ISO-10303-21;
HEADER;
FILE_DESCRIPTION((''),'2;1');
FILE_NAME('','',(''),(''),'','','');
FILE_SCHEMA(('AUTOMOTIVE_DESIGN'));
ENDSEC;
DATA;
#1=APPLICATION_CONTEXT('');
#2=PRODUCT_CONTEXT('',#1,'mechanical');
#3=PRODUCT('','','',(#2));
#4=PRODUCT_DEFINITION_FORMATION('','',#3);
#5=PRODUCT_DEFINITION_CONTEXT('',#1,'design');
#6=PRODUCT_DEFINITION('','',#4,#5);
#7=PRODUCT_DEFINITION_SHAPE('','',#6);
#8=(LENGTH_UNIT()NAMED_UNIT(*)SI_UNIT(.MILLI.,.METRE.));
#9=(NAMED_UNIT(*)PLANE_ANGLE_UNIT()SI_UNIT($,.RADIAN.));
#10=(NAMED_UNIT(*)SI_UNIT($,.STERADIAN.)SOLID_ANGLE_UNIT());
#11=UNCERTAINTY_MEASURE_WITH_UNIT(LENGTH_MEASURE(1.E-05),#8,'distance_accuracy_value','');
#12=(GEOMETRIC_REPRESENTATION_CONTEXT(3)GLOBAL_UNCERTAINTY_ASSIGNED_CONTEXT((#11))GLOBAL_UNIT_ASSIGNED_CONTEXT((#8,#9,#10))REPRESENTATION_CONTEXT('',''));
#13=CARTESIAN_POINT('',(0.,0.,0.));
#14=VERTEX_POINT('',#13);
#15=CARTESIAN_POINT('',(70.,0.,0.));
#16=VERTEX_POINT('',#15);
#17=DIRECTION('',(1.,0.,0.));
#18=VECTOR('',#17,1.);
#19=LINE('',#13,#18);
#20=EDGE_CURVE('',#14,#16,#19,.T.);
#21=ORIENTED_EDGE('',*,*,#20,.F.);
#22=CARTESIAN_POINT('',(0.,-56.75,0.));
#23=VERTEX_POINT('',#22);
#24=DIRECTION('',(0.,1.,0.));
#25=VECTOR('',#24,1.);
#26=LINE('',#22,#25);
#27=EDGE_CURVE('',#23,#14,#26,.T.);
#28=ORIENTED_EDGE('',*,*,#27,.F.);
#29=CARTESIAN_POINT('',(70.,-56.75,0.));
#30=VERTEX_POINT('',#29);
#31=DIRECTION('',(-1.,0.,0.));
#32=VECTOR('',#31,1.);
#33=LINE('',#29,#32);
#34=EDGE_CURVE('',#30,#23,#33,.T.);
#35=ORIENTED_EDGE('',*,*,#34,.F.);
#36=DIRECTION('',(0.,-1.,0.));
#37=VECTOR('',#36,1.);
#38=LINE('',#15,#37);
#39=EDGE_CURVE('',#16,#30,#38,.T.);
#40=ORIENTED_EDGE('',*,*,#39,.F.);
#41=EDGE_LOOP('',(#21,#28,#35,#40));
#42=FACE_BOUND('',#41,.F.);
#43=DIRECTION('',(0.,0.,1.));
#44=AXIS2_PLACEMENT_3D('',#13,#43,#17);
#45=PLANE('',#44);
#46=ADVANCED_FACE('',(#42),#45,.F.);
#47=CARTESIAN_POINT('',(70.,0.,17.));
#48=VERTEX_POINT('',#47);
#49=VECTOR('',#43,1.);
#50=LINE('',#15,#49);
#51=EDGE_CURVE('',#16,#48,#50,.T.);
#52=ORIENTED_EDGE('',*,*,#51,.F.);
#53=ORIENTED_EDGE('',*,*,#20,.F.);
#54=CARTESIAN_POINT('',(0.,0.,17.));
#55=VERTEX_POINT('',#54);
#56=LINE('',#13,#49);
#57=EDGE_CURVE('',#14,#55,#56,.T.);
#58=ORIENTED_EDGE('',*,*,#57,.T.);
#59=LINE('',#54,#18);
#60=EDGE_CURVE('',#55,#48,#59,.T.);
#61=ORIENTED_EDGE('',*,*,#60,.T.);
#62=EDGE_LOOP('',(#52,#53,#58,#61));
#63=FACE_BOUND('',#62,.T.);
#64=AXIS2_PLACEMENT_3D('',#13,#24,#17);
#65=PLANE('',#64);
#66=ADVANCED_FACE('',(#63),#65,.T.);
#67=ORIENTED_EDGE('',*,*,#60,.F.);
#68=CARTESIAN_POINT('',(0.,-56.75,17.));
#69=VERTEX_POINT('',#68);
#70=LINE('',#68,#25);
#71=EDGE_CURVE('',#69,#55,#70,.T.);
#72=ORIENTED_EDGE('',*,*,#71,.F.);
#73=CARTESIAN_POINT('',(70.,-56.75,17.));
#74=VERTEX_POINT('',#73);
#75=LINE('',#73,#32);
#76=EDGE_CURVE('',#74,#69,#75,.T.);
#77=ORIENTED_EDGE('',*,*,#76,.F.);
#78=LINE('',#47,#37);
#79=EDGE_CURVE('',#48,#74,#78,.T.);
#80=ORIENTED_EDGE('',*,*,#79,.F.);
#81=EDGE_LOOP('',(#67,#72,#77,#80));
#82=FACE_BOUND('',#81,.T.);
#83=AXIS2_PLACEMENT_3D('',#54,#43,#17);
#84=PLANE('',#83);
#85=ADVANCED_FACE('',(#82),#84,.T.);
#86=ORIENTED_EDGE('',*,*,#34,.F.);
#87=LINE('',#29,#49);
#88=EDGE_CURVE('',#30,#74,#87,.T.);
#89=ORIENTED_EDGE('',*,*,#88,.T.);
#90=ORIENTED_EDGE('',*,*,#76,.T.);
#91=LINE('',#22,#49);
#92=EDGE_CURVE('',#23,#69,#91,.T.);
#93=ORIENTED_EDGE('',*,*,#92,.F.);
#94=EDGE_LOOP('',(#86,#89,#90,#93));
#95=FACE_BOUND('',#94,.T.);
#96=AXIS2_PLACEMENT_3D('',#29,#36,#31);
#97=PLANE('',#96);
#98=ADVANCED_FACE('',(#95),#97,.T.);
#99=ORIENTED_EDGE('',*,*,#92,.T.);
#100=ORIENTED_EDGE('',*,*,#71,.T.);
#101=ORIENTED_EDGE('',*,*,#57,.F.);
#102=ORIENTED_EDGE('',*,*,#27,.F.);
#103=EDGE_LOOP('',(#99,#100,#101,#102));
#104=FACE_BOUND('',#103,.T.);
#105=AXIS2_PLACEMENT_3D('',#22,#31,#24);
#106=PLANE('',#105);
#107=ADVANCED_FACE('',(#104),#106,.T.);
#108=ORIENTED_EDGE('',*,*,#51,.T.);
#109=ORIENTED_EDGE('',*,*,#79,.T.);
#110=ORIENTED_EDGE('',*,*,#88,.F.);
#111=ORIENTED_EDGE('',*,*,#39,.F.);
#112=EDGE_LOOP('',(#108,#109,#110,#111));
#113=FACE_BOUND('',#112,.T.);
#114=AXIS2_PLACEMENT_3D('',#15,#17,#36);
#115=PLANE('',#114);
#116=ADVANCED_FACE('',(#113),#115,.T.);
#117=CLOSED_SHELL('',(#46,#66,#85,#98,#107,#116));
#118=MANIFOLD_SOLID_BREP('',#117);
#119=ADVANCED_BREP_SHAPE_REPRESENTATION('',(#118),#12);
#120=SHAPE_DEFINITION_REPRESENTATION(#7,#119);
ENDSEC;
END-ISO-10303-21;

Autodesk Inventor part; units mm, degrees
ref_plane "YZ Plane" through (0, 0, 0) normal (1, 0, 0) x (0, 1, 0)
ref_plane "XZ Plane" through (0, 0, 0) normal (0, 1, 0) x (-1, 0, 0)
ref_plane "XY Plane" through (0, 0, 0) normal (0, 0, 1) x (1, 0, 0)
sketch "Sketch1" plane through (0, 0, 0) normal (0, 0, 1) x (1, 0, 0)
  line L0 (0, 0) -> (70, 0)
  line L1 (70, 0) -> (70, -56.75)
  line L2 (70, -56.75) -> (0, -56.75)
  line L3 (0, -56.75) -> (0, 0)
  dimension "d0" = 70
  dimension "d1" = 56.75
extrude "Extrusion1" add sketch "Sketch1" along normal blind 17
properties part number "Convex Organ Bank Motor Slot"
